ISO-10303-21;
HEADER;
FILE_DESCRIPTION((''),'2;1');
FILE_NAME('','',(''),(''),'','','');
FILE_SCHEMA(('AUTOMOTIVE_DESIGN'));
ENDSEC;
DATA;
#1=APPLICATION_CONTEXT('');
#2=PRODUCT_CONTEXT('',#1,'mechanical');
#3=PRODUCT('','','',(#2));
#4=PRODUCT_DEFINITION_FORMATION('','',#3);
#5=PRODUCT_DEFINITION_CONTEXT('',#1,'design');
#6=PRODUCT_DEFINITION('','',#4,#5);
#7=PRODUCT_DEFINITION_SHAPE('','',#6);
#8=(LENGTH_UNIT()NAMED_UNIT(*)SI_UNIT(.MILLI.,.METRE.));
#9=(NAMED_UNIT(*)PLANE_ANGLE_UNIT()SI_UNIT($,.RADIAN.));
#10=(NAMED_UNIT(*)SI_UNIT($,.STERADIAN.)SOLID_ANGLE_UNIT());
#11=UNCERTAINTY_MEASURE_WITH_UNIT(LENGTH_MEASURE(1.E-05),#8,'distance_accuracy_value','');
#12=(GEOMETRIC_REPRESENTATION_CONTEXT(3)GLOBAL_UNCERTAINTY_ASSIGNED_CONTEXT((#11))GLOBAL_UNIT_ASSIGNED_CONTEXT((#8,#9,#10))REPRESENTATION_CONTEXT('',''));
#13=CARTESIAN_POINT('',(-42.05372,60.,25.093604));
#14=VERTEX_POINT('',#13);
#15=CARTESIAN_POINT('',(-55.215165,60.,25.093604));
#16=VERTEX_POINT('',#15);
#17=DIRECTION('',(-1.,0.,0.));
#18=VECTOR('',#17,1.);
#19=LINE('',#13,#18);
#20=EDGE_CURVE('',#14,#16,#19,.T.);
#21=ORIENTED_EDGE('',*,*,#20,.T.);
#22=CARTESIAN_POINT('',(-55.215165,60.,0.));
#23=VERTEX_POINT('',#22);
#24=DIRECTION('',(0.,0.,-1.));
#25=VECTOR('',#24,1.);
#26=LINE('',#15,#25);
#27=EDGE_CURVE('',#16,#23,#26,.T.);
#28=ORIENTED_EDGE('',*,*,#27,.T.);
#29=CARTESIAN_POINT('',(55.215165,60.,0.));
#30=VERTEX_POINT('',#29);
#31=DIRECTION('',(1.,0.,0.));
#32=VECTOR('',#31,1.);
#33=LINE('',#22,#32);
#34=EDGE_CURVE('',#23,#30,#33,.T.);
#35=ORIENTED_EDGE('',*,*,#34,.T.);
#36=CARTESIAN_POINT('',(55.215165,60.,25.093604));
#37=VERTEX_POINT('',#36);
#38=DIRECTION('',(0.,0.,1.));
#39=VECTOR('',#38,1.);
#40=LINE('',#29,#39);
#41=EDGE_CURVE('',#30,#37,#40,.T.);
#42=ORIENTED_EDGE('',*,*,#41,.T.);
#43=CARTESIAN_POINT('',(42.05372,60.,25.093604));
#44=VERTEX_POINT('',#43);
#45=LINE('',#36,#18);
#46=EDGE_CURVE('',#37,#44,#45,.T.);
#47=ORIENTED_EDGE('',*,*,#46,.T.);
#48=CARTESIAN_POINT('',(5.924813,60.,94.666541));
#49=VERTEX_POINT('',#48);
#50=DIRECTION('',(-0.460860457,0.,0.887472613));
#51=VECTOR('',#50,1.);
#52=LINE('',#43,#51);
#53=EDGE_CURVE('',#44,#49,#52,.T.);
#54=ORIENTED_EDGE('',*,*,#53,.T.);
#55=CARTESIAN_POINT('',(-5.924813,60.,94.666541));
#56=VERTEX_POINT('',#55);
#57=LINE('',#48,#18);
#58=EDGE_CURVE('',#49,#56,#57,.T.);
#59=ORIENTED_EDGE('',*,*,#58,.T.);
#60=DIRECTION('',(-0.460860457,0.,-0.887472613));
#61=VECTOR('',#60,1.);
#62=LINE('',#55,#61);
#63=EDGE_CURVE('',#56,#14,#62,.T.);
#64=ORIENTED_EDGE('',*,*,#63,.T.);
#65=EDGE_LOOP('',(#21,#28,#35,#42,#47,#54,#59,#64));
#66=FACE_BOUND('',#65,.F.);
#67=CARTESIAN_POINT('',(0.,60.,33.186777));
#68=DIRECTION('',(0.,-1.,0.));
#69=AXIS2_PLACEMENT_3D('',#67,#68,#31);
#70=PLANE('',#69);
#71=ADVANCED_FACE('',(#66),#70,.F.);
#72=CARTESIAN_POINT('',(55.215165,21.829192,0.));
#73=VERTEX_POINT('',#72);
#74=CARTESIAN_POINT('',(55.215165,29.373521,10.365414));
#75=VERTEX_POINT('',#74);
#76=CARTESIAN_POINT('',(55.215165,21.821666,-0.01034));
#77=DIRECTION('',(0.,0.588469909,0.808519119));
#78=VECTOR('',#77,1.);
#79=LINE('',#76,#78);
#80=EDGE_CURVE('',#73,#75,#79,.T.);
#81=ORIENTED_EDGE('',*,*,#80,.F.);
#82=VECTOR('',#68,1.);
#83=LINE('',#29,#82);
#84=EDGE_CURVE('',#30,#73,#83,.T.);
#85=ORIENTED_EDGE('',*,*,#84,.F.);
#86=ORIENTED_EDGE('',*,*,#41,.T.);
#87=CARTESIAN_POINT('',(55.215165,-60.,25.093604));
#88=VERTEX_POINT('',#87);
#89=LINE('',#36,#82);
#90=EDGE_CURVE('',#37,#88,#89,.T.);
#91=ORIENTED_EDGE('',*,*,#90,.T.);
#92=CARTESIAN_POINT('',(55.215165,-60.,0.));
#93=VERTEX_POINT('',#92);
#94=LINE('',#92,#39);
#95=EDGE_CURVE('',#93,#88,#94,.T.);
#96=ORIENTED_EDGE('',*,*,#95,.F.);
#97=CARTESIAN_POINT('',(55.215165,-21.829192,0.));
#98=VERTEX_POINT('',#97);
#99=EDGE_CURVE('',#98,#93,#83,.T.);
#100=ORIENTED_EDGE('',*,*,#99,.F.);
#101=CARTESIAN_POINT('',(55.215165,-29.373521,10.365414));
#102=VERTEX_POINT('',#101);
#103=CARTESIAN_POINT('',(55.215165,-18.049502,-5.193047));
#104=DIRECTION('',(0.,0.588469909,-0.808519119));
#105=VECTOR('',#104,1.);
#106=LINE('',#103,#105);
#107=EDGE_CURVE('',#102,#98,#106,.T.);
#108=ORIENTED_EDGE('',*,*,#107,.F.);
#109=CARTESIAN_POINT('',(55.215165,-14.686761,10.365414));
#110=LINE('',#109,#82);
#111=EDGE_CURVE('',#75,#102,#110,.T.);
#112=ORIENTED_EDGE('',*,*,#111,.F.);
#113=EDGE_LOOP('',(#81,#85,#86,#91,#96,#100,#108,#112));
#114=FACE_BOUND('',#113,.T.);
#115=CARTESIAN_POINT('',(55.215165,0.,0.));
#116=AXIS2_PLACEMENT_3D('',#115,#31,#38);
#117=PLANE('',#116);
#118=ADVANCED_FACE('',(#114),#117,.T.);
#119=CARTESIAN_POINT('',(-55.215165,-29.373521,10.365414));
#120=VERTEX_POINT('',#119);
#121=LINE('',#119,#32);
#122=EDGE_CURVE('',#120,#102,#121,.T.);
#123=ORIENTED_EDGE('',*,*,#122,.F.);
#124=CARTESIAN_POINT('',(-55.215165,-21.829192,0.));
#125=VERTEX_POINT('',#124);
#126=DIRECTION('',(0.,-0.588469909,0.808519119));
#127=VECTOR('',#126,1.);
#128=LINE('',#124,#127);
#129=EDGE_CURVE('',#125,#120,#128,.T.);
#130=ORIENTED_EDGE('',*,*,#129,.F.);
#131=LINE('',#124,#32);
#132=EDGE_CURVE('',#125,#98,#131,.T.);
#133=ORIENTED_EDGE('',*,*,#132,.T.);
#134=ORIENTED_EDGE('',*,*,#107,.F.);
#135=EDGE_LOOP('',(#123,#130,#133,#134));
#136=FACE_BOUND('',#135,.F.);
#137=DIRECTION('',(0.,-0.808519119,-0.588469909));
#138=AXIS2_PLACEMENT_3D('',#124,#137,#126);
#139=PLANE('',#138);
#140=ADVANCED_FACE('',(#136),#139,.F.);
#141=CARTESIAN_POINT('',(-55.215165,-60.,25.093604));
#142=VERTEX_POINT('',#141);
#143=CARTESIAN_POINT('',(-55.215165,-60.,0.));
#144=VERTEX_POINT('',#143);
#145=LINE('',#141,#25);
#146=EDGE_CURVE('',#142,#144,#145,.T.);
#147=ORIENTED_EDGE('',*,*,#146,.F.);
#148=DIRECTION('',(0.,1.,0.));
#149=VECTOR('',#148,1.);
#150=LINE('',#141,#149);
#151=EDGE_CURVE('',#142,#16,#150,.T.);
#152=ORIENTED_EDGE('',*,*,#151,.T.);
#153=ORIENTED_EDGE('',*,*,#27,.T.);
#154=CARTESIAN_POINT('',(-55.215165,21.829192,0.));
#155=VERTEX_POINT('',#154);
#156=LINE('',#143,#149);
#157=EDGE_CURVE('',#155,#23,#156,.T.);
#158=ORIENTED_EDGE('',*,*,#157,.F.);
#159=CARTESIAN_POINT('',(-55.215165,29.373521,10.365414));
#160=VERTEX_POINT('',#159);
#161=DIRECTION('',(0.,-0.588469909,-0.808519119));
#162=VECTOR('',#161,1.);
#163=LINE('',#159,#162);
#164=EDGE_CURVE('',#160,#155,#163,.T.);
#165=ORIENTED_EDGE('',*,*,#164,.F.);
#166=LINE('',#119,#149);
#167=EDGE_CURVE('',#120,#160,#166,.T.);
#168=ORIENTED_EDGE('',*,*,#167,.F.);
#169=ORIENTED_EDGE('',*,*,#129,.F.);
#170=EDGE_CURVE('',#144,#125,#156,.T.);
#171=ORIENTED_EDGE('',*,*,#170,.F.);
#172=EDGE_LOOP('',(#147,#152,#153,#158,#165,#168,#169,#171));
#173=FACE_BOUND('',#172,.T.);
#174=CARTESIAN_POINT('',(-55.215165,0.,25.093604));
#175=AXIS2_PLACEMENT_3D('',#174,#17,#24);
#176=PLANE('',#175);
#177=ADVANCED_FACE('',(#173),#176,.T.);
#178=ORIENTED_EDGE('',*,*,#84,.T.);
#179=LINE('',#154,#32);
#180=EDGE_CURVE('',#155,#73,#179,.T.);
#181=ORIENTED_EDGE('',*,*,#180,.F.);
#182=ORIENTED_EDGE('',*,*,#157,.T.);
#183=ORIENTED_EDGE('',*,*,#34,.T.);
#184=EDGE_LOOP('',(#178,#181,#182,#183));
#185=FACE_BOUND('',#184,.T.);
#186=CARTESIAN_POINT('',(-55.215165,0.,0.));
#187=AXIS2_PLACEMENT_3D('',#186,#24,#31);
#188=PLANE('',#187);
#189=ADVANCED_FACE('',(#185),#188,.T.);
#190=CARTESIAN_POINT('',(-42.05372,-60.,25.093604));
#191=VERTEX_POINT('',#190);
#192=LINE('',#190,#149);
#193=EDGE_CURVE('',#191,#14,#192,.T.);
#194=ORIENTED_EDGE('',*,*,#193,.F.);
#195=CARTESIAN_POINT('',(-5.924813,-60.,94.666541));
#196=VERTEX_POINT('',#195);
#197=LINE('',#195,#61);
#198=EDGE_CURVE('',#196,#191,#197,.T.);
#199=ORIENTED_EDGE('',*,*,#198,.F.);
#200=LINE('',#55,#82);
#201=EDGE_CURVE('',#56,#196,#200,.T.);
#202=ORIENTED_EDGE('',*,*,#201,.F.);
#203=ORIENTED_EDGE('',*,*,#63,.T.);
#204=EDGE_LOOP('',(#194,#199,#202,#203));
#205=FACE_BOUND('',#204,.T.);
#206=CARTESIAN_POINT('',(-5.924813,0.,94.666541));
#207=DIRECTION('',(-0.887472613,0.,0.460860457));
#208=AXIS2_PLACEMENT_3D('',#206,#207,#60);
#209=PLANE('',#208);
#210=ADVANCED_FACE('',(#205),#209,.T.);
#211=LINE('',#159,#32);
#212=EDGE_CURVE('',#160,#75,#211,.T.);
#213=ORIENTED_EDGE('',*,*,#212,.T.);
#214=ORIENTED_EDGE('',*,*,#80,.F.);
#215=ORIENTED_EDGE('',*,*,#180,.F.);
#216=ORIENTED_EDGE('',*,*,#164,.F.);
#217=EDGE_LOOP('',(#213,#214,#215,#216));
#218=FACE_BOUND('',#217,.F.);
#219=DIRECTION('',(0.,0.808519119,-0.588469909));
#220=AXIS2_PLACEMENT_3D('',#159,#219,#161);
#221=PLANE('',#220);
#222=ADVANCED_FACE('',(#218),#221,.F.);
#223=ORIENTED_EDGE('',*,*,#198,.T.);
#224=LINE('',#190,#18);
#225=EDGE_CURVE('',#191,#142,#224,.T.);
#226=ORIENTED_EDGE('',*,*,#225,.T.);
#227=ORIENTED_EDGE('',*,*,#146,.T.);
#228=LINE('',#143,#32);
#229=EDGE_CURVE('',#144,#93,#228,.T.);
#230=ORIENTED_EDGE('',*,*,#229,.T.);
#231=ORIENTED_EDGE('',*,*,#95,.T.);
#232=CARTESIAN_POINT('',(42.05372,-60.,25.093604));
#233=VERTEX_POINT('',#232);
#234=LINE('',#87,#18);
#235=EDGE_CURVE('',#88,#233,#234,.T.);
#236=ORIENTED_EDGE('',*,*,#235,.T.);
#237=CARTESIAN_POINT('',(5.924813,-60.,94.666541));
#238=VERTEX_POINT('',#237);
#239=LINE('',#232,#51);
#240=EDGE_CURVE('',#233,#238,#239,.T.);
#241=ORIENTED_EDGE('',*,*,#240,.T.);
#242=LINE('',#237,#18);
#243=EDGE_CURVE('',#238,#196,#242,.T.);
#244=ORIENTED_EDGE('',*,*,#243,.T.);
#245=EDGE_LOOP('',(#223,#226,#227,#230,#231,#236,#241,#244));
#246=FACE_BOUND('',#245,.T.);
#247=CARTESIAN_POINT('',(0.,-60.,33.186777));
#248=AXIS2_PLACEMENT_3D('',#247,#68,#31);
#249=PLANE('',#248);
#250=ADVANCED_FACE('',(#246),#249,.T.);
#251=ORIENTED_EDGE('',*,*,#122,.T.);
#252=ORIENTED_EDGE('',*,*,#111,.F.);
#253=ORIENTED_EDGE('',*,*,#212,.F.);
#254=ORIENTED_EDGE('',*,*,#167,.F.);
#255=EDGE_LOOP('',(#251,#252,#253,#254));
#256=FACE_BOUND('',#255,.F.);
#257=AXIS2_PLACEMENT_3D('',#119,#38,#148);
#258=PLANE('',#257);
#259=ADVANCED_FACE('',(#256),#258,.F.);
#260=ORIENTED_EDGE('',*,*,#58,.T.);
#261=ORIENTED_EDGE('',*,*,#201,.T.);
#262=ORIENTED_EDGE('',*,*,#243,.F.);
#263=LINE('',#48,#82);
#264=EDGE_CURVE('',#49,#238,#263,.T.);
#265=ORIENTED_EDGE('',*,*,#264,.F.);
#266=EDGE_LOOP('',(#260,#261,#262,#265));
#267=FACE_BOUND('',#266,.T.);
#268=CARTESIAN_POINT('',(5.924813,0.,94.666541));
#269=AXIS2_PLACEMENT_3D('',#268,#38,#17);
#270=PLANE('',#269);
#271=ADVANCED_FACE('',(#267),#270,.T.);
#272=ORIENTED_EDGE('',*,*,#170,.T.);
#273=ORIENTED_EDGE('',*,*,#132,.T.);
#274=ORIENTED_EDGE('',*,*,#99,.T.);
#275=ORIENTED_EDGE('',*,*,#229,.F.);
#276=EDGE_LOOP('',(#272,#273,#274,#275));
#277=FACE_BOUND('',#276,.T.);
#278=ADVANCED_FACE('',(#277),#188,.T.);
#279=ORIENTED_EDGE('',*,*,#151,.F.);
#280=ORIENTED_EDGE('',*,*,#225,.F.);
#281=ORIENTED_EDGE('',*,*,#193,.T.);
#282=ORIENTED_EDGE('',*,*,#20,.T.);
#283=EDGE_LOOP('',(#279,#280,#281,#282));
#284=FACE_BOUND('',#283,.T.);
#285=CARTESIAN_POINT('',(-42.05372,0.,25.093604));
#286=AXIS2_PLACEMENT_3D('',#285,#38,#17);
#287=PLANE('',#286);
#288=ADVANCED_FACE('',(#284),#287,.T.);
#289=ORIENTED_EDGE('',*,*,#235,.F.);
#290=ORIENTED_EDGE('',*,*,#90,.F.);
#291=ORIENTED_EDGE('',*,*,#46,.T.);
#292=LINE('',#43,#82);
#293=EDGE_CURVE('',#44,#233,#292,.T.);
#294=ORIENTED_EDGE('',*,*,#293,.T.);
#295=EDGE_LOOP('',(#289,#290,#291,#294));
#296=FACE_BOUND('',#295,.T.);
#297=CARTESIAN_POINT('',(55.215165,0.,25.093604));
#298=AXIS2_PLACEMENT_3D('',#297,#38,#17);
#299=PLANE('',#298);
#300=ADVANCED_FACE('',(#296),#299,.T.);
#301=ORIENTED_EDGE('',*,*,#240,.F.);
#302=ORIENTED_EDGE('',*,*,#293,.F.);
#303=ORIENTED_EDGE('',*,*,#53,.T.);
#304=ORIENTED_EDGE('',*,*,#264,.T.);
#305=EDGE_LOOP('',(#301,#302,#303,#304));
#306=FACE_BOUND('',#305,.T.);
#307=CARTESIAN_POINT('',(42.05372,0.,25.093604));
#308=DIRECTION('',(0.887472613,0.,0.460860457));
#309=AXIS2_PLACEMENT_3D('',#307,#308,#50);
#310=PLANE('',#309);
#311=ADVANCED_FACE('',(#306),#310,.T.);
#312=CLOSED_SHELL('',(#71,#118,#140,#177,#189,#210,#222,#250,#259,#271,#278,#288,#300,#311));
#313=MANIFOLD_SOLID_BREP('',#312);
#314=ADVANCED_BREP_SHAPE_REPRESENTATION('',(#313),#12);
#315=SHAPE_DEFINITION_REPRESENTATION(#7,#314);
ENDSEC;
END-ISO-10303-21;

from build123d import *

# Parameters (mm, degrees)
F1_DEPTH = 60
F3_DEPTH = 110.43133


with BuildPart() as f1:
    # F0 (on Front) → F1 (new body, symmetric)
    with BuildSketch(Plane.XZ):
        Polygon((-55.215165, 0), (55.215165, 0), (55.215165, 25.093604), (42.05372, 25.093604), (5.924813, 94.666541), (-5.924813, 94.666541), (-42.05372, 25.093604), (-55.215165, 25.093604), align=None)
    extrude(amount=F1_DEPTH, both=True)

    # F2 (on face) → F3 (cut, through all)
    with BuildSketch(Plane(origin=(-55.215165, 0, 0), x_dir=(0, -1, 0), z_dir=(-1, 0, 0))):
        Polygon((-29.373521, 10.365414), (-21.829192, 0), (21.829192, 0), (29.373521, 10.365414), align=None)
    extrude(amount=-F3_DEPTH, mode=Mode.SUBTRACT)


solid = f1.part
